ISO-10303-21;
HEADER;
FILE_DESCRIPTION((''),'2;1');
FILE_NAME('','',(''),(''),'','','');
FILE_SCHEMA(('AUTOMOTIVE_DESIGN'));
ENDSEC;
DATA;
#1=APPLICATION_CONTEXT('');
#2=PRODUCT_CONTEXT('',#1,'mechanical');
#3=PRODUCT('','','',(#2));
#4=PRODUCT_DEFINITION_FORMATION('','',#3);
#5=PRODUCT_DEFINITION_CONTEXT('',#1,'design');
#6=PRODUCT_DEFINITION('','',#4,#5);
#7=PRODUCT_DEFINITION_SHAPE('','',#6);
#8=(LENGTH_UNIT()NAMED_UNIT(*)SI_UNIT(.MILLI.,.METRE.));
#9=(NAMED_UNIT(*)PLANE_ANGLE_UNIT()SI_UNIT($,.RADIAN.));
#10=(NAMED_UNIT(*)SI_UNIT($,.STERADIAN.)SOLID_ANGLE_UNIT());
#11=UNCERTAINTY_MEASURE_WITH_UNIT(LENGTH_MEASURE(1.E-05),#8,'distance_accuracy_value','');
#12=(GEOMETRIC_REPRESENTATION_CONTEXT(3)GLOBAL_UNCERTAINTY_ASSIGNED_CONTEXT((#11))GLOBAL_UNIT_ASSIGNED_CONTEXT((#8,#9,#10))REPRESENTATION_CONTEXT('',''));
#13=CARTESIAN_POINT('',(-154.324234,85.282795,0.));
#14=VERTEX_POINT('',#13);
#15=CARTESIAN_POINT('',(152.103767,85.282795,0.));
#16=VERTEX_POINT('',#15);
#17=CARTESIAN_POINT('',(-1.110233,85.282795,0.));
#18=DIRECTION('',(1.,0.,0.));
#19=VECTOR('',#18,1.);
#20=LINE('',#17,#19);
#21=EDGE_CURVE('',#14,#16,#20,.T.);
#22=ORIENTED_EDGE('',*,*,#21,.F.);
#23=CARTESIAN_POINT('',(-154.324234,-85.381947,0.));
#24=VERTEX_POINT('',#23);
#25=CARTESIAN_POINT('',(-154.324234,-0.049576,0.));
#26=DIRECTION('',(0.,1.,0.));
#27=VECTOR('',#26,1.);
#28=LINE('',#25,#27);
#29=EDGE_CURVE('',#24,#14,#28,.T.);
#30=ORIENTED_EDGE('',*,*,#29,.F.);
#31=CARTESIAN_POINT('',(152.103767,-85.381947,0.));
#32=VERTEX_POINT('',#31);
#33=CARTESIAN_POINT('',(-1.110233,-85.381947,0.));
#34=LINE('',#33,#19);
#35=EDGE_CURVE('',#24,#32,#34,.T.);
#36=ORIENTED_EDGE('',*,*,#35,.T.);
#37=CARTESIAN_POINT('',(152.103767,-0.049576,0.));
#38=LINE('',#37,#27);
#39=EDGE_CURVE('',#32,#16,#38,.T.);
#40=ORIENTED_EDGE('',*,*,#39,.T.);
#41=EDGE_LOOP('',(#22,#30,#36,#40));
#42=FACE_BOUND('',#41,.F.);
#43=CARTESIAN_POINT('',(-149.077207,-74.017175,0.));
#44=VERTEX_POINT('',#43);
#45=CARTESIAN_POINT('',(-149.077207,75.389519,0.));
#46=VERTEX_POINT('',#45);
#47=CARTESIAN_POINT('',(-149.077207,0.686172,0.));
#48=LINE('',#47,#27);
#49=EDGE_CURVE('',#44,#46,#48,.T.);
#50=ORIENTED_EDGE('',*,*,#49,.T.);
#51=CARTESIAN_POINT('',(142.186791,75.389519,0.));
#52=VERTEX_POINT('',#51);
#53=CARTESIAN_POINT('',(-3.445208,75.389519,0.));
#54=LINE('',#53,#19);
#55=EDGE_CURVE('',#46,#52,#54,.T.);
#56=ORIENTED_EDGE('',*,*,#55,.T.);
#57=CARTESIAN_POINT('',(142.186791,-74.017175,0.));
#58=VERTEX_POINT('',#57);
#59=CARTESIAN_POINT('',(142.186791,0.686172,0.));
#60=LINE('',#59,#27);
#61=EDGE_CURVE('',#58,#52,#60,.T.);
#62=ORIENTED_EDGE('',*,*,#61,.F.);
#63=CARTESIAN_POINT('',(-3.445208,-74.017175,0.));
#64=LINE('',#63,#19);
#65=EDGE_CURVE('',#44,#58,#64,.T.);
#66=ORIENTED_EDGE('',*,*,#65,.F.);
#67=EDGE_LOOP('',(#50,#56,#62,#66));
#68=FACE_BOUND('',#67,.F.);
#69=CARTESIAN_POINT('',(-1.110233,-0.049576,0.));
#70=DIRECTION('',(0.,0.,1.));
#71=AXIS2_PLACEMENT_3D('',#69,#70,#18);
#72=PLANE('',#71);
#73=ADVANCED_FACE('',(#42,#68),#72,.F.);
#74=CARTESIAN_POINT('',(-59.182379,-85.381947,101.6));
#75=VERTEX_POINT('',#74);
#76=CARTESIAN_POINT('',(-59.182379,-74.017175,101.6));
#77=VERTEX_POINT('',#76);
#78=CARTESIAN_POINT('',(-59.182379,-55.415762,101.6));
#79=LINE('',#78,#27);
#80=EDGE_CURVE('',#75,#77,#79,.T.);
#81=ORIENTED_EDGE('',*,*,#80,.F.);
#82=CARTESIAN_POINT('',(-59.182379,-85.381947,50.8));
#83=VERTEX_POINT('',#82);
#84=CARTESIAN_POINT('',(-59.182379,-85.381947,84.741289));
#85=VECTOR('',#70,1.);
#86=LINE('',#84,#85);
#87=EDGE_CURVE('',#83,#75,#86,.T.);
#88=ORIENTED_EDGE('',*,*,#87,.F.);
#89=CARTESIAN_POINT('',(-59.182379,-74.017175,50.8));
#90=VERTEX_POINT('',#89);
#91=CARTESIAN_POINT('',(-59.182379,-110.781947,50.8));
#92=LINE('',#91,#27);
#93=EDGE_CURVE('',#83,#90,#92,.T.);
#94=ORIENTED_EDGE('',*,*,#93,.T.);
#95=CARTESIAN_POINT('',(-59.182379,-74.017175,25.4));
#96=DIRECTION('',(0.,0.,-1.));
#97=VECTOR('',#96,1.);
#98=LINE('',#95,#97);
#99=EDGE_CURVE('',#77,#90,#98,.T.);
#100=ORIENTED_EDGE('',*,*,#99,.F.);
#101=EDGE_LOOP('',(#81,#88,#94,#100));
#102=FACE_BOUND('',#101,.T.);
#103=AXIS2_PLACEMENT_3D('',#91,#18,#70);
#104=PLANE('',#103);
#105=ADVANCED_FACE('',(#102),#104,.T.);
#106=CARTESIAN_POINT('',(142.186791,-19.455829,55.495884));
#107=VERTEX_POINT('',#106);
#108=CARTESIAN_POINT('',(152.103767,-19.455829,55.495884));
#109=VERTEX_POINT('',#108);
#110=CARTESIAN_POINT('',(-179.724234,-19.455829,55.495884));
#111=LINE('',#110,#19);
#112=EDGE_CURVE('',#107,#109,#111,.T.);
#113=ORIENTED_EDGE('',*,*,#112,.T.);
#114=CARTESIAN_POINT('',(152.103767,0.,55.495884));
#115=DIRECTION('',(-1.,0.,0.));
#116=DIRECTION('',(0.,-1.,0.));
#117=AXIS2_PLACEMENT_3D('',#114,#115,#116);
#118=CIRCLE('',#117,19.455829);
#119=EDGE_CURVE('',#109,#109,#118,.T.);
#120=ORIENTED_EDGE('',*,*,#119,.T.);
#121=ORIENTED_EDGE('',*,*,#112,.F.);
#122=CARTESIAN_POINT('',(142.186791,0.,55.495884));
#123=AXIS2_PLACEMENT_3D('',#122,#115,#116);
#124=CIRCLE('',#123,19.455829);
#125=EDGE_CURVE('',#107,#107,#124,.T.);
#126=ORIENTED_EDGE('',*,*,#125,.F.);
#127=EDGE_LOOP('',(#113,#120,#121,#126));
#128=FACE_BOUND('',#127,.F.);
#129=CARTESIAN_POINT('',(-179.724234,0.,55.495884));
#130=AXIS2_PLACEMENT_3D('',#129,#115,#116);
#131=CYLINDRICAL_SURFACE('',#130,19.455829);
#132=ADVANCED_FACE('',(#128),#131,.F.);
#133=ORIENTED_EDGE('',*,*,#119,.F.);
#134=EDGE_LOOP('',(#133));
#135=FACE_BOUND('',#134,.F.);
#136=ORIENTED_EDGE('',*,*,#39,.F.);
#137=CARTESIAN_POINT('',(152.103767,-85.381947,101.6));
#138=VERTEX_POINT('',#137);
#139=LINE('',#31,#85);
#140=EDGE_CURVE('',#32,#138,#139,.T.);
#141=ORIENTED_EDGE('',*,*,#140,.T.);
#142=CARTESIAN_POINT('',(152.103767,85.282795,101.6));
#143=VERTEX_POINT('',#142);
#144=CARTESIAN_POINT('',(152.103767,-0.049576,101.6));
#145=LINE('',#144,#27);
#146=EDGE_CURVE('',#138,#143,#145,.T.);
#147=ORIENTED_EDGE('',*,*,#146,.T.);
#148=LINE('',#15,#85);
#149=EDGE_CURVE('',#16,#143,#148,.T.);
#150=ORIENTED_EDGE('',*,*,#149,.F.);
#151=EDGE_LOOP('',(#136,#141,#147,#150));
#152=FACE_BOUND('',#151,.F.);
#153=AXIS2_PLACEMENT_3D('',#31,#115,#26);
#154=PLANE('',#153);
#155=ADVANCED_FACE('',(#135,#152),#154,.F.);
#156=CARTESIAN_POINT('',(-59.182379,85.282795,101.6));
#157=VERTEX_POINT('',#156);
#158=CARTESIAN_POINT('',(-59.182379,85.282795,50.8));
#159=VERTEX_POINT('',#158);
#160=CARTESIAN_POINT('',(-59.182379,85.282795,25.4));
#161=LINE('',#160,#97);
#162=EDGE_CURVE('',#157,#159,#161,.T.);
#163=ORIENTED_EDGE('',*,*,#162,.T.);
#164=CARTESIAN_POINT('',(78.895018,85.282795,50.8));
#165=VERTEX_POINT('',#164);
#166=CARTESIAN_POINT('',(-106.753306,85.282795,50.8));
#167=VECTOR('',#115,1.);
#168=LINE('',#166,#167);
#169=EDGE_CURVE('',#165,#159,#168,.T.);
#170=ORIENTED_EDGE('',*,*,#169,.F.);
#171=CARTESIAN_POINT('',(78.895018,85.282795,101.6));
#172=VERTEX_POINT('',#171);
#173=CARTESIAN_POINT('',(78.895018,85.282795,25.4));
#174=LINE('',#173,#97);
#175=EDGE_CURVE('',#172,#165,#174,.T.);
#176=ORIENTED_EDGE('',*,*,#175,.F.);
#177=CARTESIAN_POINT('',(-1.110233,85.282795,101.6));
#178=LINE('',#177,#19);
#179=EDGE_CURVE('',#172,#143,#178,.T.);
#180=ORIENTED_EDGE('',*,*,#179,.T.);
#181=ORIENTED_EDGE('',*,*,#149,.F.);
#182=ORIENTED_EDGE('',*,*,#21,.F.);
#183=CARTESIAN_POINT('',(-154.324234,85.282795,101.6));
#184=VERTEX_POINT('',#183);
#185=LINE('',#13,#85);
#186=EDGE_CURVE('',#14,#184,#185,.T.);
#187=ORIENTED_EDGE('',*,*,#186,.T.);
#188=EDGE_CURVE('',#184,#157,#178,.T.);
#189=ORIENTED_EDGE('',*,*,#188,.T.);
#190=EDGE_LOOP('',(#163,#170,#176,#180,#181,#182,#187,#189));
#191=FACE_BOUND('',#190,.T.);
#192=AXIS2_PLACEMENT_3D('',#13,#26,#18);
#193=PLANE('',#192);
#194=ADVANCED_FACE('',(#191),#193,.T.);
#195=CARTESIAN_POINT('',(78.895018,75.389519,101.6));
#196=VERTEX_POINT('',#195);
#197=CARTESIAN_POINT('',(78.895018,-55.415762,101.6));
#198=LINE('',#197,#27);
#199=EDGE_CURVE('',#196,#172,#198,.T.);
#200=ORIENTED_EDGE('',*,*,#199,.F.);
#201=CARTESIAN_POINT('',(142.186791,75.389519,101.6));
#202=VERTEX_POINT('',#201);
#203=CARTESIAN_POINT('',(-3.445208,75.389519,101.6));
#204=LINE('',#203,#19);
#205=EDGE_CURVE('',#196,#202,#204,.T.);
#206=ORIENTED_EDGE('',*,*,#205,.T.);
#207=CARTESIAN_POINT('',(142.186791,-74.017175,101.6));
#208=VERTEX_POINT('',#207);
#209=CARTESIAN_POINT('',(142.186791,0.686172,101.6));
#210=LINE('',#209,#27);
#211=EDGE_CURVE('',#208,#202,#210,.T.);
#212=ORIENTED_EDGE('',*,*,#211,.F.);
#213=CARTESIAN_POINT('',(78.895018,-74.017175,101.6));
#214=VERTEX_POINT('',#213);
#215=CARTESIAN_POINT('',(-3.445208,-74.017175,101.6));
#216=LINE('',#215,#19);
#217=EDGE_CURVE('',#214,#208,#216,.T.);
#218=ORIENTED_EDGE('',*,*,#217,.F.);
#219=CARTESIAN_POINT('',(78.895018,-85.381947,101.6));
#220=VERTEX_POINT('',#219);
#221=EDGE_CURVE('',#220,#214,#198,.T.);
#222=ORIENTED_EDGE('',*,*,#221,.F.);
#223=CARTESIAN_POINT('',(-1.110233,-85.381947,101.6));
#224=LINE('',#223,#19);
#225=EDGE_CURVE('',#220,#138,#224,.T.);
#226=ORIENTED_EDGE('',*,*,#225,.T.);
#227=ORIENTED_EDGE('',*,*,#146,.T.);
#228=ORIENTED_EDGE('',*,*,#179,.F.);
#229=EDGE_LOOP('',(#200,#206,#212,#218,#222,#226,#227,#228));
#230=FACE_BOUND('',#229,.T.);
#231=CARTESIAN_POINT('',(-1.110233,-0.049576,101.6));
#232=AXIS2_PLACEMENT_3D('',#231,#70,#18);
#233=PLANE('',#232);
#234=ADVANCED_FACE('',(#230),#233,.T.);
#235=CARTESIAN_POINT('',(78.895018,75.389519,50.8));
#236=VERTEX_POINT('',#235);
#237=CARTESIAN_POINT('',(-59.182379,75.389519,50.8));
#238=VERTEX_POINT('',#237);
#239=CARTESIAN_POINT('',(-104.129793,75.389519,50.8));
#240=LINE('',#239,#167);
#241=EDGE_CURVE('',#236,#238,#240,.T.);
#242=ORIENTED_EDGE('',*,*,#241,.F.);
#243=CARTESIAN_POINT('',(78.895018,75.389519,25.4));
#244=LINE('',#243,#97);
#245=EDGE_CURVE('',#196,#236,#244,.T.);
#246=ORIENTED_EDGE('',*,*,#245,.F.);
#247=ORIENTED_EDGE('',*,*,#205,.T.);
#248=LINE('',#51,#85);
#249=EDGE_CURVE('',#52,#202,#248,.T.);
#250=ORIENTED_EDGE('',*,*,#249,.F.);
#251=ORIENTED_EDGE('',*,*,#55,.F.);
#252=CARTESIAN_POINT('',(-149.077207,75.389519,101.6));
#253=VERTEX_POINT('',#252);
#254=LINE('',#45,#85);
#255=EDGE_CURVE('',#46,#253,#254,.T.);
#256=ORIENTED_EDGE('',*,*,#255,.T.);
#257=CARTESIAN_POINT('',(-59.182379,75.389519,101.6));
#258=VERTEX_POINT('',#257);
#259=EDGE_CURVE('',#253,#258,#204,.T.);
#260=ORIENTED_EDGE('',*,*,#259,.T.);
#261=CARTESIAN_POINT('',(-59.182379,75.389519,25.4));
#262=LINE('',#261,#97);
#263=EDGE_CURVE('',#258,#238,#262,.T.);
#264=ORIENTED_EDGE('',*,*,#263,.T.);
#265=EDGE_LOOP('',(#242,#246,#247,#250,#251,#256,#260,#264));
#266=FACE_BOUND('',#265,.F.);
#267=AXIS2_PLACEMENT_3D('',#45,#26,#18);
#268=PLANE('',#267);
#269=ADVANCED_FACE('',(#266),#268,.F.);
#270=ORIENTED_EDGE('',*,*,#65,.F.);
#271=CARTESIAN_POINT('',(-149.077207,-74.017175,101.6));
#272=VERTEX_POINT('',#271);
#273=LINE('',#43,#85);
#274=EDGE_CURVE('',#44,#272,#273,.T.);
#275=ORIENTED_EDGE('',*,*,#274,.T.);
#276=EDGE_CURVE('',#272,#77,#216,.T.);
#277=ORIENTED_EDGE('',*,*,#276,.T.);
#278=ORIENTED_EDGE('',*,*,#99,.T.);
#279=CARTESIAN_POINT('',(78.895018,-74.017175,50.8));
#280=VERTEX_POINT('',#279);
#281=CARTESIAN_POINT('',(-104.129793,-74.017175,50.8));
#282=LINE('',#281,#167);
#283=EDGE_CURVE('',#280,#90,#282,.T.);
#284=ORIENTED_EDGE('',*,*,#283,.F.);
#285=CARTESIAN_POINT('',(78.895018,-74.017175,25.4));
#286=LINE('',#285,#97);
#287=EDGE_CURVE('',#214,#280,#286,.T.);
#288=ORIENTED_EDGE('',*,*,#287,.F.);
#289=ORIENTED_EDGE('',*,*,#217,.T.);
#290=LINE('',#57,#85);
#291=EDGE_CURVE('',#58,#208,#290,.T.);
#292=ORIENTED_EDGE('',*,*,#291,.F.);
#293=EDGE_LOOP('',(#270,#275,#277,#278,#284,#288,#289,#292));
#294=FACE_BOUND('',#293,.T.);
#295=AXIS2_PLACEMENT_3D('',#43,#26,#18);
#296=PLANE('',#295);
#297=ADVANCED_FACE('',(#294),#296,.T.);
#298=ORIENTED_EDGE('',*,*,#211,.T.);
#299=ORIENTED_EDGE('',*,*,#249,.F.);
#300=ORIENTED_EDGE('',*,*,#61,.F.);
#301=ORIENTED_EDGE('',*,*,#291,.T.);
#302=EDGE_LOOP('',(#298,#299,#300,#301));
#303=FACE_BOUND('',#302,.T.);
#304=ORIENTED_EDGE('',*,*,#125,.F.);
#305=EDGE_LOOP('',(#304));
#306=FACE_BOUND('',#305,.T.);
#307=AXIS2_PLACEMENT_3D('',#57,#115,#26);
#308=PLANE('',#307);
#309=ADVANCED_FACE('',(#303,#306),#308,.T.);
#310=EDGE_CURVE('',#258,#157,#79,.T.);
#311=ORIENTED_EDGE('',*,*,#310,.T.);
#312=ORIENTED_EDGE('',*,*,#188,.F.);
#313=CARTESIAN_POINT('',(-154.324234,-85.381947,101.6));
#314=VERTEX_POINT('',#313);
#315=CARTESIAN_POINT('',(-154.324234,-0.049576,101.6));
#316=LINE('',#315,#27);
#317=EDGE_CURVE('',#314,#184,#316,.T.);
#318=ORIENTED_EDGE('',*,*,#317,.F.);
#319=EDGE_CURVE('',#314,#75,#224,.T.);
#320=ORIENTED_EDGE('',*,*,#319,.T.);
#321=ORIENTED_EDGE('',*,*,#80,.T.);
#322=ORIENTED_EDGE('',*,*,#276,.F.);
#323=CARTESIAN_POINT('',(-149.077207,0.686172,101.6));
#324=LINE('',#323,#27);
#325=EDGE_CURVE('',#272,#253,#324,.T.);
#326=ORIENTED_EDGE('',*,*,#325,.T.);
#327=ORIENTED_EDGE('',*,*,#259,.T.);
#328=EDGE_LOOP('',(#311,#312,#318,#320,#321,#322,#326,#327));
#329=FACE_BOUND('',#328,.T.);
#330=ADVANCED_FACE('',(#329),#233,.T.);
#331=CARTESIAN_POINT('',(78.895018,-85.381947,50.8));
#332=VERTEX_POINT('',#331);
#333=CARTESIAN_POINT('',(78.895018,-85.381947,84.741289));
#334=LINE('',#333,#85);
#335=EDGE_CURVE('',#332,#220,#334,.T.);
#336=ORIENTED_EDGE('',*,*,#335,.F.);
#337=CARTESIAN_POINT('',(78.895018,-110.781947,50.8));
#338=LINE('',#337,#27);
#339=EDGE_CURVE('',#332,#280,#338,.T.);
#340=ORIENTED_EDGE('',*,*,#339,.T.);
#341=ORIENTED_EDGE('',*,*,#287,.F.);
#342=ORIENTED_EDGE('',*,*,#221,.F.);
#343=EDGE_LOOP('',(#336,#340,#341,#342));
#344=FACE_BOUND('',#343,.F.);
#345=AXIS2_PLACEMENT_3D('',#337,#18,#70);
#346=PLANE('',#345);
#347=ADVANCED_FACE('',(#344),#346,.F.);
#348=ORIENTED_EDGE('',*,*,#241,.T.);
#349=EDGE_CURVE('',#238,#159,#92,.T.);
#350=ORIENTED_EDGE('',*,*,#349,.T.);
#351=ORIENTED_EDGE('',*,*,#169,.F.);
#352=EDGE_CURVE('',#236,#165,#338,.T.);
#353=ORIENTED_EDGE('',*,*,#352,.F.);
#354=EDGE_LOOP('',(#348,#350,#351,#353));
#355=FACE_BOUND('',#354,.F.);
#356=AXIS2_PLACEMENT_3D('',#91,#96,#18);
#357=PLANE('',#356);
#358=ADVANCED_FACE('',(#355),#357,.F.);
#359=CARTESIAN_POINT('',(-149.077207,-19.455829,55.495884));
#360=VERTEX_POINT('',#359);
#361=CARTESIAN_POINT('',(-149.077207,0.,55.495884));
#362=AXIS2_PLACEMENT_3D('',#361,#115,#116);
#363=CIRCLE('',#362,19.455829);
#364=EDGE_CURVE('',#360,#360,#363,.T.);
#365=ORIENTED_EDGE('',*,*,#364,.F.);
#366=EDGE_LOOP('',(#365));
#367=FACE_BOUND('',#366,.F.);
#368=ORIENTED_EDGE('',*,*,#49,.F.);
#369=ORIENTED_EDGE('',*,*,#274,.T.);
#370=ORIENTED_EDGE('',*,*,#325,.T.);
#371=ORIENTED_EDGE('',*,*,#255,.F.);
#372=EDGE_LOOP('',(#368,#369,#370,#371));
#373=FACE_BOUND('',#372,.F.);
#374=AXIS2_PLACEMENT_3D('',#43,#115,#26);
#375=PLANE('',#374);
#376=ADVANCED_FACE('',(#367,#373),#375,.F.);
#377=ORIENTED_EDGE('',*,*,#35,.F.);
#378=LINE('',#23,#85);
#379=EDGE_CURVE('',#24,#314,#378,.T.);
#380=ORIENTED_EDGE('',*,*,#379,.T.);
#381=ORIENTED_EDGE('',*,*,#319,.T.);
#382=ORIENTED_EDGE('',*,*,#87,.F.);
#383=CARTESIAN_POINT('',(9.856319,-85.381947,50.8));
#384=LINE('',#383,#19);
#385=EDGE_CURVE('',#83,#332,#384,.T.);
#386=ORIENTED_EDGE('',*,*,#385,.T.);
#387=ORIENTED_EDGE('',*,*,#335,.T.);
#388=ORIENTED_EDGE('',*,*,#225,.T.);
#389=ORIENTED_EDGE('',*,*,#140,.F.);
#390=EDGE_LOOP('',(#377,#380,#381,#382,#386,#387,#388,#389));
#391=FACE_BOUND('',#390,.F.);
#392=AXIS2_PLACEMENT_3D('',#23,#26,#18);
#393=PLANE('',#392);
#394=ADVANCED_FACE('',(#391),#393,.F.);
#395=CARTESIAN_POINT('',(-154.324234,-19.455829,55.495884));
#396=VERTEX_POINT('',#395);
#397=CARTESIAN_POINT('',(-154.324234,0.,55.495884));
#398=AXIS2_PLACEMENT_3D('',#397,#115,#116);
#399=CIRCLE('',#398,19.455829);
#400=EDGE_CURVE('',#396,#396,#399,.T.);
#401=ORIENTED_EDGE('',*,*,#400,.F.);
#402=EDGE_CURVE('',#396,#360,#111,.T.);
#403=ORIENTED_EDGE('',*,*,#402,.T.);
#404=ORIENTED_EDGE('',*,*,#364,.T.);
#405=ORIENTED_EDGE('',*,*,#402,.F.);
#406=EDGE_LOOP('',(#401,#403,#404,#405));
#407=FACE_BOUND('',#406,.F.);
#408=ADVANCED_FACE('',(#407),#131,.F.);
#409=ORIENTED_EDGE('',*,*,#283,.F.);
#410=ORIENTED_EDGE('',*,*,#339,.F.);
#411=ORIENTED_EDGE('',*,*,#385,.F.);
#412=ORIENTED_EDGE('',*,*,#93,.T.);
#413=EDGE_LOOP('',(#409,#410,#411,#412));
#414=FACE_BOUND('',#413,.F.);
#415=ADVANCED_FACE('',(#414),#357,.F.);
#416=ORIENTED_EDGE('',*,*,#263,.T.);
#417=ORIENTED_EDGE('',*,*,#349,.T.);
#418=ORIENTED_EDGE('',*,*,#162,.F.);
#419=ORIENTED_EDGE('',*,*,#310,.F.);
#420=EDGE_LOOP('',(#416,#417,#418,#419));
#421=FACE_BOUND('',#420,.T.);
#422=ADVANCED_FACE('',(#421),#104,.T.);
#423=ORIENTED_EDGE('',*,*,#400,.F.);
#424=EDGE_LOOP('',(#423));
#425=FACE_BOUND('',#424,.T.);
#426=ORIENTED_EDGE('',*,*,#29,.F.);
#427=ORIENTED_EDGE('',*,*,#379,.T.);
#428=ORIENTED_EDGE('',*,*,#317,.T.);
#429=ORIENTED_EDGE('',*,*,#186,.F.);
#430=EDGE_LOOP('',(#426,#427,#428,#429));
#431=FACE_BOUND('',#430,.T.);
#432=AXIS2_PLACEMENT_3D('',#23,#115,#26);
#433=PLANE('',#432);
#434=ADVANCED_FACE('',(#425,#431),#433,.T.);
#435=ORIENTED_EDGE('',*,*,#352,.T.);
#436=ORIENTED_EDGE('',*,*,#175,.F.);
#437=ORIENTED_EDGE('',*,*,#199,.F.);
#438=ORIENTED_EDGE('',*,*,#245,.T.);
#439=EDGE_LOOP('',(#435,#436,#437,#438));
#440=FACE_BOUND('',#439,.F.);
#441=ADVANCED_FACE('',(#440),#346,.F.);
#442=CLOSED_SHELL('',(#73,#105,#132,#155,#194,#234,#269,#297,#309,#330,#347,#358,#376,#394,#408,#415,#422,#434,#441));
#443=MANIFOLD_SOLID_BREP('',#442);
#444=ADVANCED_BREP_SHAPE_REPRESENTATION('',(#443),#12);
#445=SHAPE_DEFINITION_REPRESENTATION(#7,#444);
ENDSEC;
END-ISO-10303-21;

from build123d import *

# Parameters (mm, degrees)
F0_W     = 306.4280003309
F0_H     = 170.664742589
F0_W_2   = 291.2639975548
F0_H_2   = 149.4066938758
F1_DEPTH = 101.6
F2_W     = 138.0773968995
F2_H     = 67.8825782061
F3_DEPTH = 25.4
F4_DEPTH = 219.202
F5_R     = 19.4558294746
F6_DEPTH = 25.4
F7_DEPTH = 393.7


with BuildPart() as f1:
    # F0 (on Top) → F1 (new body)
    with BuildSketch(Plane.XY):
        with Locations((-1.1102333665, -0.0495761633)):
            Rectangle(F0_W, F0_H)
        with Locations((-3.4452080727, 0.6861723959)):
            Rectangle(F0_W_2, F0_H_2, mode=Mode.SUBTRACT)
    extrude(amount=F1_DEPTH)

    # F2 (on face) → F3 (join)
    with BuildSketch(Plane.XZ.offset(85.3819474578)):
        with Locations((9.856319055, 84.741289103)):
            Rectangle(F2_W, F2_H)
    extrude(amount=F3_DEPTH)

    # F4 (cut): a face of the model
    f4_faces = [f1.faces().sort_by_distance(p)[0] for p in [
        (9.856319055, -110.7819474578, 84.741289103),
    ]]
    extrude(f4_faces, amount=-F4_DEPTH, mode=Mode.SUBTRACT)

    # F5 (on face) → F6 (join)
    with BuildSketch(Plane(origin=(-154.324233532, 0, 0), x_dir=(0, -1, 0), z_dir=(-1, 0, 0))):
        with Locations((0, 55.4958842695)):
            Circle(F5_R)
    extrude(amount=F6_DEPTH)

    # F7 (cut): a face of the model
    f7_faces = [f1.faces().sort_by_distance(p)[0] for p in [
        (-179.724233532, 0, 55.4958842695),
    ]]
    extrude(f7_faces, amount=-F7_DEPTH, mode=Mode.SUBTRACT)


solid = f1.part
